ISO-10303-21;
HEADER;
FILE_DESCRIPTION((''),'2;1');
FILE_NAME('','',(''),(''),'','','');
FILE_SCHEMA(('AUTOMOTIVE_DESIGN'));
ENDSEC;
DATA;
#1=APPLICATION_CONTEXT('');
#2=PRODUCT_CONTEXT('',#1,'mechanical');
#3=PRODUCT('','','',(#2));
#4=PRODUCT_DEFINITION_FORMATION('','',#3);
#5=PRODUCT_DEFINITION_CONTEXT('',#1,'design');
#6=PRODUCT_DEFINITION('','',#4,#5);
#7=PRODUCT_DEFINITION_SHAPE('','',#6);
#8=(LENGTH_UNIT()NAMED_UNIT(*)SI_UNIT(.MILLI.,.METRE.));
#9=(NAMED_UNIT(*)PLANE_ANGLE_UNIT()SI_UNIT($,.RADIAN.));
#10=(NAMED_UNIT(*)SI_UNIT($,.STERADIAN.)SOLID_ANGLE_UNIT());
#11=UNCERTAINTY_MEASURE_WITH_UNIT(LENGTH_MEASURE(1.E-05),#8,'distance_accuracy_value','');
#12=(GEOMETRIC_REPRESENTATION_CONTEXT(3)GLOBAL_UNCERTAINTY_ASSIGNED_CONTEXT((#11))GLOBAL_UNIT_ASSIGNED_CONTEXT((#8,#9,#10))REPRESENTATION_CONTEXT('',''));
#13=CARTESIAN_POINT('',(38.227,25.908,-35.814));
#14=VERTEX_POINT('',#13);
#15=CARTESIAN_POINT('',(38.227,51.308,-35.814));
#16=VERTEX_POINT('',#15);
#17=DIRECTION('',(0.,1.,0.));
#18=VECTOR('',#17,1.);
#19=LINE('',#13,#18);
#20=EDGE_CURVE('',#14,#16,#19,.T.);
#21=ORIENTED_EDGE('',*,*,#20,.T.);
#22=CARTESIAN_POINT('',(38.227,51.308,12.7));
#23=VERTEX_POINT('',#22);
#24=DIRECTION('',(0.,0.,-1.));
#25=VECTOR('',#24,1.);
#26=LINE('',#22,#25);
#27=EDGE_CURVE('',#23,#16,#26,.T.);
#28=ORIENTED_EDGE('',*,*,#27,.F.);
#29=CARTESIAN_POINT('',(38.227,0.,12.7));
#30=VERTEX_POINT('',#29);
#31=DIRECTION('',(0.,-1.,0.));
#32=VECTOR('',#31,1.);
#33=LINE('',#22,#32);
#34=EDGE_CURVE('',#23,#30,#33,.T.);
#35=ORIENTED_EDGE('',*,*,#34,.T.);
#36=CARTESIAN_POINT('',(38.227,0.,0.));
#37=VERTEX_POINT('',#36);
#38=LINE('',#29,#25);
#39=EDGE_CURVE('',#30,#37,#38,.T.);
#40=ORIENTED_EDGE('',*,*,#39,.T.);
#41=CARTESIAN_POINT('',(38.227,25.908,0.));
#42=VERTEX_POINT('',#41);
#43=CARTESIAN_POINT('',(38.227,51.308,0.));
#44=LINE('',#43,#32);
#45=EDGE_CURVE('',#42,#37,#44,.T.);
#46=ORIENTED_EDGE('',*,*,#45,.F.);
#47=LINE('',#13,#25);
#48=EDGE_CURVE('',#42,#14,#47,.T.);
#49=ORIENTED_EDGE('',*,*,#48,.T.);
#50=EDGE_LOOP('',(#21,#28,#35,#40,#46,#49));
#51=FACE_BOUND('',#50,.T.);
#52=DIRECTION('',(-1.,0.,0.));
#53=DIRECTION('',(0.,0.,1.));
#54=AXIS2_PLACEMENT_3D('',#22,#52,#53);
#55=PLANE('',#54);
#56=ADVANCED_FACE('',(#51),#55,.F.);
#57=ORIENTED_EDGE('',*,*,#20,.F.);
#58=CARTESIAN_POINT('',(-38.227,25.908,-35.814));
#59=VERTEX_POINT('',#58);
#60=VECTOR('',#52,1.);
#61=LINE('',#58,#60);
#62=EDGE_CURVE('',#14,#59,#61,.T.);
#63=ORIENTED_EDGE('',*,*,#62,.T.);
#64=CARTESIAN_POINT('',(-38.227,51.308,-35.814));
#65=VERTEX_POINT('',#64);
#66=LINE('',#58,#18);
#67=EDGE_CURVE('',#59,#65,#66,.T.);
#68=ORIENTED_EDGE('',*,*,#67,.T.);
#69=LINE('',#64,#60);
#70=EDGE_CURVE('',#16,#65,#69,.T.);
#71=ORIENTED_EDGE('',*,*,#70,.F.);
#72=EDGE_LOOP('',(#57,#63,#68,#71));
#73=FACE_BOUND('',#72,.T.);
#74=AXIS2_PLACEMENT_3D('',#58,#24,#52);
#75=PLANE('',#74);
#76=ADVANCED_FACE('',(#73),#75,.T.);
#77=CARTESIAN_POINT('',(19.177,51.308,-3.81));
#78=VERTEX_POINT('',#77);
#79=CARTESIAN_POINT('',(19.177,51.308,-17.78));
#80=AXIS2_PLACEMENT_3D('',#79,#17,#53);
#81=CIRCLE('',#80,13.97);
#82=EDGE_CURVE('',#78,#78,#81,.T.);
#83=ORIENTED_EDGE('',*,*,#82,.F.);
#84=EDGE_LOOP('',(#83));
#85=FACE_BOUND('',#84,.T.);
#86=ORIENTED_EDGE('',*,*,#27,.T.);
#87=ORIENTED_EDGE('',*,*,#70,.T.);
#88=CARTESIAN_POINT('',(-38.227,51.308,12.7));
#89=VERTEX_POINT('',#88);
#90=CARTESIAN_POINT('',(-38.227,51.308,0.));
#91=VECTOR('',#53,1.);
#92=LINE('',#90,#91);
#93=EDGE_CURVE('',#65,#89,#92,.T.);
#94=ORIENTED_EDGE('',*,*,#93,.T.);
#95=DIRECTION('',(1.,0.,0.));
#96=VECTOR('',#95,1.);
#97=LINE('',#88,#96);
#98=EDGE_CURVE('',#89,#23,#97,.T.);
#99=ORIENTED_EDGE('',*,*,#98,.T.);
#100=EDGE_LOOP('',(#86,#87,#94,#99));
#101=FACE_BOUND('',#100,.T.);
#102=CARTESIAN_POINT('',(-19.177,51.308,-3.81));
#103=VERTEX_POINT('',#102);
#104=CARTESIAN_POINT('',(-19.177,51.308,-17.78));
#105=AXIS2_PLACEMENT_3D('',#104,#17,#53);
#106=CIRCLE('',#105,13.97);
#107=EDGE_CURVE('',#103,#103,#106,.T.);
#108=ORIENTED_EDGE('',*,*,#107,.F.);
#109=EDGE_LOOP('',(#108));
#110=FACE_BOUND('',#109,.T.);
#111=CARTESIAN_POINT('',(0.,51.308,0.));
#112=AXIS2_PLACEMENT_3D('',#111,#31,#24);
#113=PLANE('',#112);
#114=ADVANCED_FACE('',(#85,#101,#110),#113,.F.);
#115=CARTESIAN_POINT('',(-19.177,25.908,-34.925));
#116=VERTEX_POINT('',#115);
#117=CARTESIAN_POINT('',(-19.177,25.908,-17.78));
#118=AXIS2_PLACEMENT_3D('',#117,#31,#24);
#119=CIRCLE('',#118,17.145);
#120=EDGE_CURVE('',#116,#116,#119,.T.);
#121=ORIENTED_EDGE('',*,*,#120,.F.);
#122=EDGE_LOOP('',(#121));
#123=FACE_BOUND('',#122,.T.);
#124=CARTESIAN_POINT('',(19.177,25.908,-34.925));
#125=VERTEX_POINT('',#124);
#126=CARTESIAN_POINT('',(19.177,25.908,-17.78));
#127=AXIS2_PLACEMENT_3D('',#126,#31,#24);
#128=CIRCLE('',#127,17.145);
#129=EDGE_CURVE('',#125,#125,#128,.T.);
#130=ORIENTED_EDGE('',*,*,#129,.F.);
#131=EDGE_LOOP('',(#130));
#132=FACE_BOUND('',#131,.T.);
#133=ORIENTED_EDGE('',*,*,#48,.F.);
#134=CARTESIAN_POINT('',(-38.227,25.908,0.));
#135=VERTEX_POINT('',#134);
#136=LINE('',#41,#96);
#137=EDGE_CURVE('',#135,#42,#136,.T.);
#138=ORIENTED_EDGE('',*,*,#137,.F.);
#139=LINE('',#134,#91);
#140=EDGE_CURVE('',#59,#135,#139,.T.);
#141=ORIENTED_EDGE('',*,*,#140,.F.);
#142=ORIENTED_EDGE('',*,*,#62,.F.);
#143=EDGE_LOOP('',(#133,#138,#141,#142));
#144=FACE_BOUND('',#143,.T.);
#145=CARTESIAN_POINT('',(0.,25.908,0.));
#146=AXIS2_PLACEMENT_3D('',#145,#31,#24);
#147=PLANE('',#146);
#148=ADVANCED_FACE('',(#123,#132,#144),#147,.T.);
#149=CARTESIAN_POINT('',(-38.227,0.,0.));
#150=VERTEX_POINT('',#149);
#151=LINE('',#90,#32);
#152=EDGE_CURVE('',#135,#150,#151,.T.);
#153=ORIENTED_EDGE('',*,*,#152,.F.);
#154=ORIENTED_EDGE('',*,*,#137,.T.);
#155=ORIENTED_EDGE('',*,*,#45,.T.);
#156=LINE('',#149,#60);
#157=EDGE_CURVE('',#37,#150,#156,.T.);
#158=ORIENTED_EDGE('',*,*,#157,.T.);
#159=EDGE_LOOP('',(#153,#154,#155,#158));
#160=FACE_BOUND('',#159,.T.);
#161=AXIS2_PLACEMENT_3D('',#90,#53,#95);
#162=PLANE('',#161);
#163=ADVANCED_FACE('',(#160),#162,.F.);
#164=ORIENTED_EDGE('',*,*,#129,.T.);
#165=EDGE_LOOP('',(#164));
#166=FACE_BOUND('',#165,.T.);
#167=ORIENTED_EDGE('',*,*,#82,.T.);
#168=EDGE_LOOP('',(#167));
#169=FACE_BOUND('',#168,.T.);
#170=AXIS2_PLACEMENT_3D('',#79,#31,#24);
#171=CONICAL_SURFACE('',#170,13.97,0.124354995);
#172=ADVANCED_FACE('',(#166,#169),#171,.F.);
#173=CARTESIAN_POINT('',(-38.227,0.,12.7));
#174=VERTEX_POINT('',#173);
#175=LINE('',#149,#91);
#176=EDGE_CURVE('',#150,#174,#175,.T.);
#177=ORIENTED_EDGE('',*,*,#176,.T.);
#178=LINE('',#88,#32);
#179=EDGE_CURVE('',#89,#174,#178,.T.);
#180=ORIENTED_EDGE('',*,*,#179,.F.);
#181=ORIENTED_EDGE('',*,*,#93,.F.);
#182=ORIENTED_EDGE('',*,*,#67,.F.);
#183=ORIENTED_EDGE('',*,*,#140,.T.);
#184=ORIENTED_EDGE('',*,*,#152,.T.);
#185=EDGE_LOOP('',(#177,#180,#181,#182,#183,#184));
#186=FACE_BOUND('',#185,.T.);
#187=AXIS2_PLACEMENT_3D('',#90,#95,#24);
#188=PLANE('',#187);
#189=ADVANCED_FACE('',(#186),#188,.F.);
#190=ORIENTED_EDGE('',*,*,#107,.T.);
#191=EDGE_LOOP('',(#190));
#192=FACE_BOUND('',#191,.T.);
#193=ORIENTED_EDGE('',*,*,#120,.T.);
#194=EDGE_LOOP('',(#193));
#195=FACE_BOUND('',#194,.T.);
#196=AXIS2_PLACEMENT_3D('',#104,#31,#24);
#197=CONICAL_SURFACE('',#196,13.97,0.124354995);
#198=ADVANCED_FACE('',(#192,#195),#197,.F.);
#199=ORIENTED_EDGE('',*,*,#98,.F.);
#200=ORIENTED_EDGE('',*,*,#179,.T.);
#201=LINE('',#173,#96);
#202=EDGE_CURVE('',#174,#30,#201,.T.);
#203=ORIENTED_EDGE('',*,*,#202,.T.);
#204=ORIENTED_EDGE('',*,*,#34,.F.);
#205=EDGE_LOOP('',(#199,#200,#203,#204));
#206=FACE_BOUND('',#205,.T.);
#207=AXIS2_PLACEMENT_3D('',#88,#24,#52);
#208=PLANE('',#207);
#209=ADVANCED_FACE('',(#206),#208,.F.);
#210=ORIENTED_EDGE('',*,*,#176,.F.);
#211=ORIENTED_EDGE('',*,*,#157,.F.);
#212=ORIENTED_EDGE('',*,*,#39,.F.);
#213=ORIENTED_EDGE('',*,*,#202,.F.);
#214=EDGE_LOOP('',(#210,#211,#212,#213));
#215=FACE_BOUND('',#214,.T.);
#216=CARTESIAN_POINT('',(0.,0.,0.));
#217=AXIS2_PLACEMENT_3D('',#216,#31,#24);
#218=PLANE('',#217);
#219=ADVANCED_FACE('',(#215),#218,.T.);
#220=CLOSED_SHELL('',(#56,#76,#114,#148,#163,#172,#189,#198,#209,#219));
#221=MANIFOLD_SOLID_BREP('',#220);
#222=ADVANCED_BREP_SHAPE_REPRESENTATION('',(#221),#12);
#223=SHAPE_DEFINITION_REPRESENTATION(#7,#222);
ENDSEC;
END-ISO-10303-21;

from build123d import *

# Parameters (mm, degrees)
SKETCH1_W           = 76.454
SKETCH1_H           = 12.7
BOSS_EXTRUDE1_DEPTH = 51.308
SKETCH2_W           = 76.454
SKETCH2_H           = 35.814
BOSS_EXTRUDE2_DEPTH = 25.4
SKETCH3_R           = 17.145
SKETCH4_R           = 13.97
SKETCH3_3_R         = 17.145
SKETCH4_3_R         = 13.97


with BuildPart() as part:
    # Sketch1 → Boss-Extrude1 (new body)
    with BuildSketch(Plane(origin=(0, 0, 0), x_dir=(1, 0, 0), z_dir=(0, 1, 0))):
        with Locations((0, -6.35)):
            Rectangle(SKETCH1_W, SKETCH1_H)
    extrude(amount=BOSS_EXTRUDE1_DEPTH)

    # Sketch2 → Boss-Extrude2 (add)
    with BuildSketch(Plane(origin=(0, 51.308, 0), x_dir=(1, 0, 0), z_dir=(0, 1, 0))):
        with Locations((0, 17.907)):
            Rectangle(SKETCH2_W, SKETCH2_H)
    extrude(amount=-BOSS_EXTRUDE2_DEPTH)

    # Sketch3 → Cut-Loft2 section 0
    with BuildSketch(Plane.XZ.offset(-25.908)):
        with Locations((19.177, -17.78)):
            Circle(SKETCH3_R)
    # Sketch4 → Cut-Loft2 section 1
    with BuildSketch(Plane(origin=(0, 51.308, 0), x_dir=(1, 0, 0), z_dir=(0, 1, 0))):
        with Locations((19.177, 17.78)):
            Circle(SKETCH4_R)
    loft(mode=Mode.SUBTRACT)

    # Sketch3<3> → Cut-Loft3 section 0
    with BuildSketch(Plane.XZ.offset(-25.908)):
        with Locations((-19.177, -17.78)):
            Circle(SKETCH3_3_R)
    # Sketch4<3> → Cut-Loft3 section 1
    with BuildSketch(Plane(origin=(0, 51.308, 0), x_dir=(1, 0, 0), z_dir=(0, 1, 0))):
        with Locations((-19.177, 17.78)):
            Circle(SKETCH4_3_R)
    loft(mode=Mode.SUBTRACT)


solid = part.part
